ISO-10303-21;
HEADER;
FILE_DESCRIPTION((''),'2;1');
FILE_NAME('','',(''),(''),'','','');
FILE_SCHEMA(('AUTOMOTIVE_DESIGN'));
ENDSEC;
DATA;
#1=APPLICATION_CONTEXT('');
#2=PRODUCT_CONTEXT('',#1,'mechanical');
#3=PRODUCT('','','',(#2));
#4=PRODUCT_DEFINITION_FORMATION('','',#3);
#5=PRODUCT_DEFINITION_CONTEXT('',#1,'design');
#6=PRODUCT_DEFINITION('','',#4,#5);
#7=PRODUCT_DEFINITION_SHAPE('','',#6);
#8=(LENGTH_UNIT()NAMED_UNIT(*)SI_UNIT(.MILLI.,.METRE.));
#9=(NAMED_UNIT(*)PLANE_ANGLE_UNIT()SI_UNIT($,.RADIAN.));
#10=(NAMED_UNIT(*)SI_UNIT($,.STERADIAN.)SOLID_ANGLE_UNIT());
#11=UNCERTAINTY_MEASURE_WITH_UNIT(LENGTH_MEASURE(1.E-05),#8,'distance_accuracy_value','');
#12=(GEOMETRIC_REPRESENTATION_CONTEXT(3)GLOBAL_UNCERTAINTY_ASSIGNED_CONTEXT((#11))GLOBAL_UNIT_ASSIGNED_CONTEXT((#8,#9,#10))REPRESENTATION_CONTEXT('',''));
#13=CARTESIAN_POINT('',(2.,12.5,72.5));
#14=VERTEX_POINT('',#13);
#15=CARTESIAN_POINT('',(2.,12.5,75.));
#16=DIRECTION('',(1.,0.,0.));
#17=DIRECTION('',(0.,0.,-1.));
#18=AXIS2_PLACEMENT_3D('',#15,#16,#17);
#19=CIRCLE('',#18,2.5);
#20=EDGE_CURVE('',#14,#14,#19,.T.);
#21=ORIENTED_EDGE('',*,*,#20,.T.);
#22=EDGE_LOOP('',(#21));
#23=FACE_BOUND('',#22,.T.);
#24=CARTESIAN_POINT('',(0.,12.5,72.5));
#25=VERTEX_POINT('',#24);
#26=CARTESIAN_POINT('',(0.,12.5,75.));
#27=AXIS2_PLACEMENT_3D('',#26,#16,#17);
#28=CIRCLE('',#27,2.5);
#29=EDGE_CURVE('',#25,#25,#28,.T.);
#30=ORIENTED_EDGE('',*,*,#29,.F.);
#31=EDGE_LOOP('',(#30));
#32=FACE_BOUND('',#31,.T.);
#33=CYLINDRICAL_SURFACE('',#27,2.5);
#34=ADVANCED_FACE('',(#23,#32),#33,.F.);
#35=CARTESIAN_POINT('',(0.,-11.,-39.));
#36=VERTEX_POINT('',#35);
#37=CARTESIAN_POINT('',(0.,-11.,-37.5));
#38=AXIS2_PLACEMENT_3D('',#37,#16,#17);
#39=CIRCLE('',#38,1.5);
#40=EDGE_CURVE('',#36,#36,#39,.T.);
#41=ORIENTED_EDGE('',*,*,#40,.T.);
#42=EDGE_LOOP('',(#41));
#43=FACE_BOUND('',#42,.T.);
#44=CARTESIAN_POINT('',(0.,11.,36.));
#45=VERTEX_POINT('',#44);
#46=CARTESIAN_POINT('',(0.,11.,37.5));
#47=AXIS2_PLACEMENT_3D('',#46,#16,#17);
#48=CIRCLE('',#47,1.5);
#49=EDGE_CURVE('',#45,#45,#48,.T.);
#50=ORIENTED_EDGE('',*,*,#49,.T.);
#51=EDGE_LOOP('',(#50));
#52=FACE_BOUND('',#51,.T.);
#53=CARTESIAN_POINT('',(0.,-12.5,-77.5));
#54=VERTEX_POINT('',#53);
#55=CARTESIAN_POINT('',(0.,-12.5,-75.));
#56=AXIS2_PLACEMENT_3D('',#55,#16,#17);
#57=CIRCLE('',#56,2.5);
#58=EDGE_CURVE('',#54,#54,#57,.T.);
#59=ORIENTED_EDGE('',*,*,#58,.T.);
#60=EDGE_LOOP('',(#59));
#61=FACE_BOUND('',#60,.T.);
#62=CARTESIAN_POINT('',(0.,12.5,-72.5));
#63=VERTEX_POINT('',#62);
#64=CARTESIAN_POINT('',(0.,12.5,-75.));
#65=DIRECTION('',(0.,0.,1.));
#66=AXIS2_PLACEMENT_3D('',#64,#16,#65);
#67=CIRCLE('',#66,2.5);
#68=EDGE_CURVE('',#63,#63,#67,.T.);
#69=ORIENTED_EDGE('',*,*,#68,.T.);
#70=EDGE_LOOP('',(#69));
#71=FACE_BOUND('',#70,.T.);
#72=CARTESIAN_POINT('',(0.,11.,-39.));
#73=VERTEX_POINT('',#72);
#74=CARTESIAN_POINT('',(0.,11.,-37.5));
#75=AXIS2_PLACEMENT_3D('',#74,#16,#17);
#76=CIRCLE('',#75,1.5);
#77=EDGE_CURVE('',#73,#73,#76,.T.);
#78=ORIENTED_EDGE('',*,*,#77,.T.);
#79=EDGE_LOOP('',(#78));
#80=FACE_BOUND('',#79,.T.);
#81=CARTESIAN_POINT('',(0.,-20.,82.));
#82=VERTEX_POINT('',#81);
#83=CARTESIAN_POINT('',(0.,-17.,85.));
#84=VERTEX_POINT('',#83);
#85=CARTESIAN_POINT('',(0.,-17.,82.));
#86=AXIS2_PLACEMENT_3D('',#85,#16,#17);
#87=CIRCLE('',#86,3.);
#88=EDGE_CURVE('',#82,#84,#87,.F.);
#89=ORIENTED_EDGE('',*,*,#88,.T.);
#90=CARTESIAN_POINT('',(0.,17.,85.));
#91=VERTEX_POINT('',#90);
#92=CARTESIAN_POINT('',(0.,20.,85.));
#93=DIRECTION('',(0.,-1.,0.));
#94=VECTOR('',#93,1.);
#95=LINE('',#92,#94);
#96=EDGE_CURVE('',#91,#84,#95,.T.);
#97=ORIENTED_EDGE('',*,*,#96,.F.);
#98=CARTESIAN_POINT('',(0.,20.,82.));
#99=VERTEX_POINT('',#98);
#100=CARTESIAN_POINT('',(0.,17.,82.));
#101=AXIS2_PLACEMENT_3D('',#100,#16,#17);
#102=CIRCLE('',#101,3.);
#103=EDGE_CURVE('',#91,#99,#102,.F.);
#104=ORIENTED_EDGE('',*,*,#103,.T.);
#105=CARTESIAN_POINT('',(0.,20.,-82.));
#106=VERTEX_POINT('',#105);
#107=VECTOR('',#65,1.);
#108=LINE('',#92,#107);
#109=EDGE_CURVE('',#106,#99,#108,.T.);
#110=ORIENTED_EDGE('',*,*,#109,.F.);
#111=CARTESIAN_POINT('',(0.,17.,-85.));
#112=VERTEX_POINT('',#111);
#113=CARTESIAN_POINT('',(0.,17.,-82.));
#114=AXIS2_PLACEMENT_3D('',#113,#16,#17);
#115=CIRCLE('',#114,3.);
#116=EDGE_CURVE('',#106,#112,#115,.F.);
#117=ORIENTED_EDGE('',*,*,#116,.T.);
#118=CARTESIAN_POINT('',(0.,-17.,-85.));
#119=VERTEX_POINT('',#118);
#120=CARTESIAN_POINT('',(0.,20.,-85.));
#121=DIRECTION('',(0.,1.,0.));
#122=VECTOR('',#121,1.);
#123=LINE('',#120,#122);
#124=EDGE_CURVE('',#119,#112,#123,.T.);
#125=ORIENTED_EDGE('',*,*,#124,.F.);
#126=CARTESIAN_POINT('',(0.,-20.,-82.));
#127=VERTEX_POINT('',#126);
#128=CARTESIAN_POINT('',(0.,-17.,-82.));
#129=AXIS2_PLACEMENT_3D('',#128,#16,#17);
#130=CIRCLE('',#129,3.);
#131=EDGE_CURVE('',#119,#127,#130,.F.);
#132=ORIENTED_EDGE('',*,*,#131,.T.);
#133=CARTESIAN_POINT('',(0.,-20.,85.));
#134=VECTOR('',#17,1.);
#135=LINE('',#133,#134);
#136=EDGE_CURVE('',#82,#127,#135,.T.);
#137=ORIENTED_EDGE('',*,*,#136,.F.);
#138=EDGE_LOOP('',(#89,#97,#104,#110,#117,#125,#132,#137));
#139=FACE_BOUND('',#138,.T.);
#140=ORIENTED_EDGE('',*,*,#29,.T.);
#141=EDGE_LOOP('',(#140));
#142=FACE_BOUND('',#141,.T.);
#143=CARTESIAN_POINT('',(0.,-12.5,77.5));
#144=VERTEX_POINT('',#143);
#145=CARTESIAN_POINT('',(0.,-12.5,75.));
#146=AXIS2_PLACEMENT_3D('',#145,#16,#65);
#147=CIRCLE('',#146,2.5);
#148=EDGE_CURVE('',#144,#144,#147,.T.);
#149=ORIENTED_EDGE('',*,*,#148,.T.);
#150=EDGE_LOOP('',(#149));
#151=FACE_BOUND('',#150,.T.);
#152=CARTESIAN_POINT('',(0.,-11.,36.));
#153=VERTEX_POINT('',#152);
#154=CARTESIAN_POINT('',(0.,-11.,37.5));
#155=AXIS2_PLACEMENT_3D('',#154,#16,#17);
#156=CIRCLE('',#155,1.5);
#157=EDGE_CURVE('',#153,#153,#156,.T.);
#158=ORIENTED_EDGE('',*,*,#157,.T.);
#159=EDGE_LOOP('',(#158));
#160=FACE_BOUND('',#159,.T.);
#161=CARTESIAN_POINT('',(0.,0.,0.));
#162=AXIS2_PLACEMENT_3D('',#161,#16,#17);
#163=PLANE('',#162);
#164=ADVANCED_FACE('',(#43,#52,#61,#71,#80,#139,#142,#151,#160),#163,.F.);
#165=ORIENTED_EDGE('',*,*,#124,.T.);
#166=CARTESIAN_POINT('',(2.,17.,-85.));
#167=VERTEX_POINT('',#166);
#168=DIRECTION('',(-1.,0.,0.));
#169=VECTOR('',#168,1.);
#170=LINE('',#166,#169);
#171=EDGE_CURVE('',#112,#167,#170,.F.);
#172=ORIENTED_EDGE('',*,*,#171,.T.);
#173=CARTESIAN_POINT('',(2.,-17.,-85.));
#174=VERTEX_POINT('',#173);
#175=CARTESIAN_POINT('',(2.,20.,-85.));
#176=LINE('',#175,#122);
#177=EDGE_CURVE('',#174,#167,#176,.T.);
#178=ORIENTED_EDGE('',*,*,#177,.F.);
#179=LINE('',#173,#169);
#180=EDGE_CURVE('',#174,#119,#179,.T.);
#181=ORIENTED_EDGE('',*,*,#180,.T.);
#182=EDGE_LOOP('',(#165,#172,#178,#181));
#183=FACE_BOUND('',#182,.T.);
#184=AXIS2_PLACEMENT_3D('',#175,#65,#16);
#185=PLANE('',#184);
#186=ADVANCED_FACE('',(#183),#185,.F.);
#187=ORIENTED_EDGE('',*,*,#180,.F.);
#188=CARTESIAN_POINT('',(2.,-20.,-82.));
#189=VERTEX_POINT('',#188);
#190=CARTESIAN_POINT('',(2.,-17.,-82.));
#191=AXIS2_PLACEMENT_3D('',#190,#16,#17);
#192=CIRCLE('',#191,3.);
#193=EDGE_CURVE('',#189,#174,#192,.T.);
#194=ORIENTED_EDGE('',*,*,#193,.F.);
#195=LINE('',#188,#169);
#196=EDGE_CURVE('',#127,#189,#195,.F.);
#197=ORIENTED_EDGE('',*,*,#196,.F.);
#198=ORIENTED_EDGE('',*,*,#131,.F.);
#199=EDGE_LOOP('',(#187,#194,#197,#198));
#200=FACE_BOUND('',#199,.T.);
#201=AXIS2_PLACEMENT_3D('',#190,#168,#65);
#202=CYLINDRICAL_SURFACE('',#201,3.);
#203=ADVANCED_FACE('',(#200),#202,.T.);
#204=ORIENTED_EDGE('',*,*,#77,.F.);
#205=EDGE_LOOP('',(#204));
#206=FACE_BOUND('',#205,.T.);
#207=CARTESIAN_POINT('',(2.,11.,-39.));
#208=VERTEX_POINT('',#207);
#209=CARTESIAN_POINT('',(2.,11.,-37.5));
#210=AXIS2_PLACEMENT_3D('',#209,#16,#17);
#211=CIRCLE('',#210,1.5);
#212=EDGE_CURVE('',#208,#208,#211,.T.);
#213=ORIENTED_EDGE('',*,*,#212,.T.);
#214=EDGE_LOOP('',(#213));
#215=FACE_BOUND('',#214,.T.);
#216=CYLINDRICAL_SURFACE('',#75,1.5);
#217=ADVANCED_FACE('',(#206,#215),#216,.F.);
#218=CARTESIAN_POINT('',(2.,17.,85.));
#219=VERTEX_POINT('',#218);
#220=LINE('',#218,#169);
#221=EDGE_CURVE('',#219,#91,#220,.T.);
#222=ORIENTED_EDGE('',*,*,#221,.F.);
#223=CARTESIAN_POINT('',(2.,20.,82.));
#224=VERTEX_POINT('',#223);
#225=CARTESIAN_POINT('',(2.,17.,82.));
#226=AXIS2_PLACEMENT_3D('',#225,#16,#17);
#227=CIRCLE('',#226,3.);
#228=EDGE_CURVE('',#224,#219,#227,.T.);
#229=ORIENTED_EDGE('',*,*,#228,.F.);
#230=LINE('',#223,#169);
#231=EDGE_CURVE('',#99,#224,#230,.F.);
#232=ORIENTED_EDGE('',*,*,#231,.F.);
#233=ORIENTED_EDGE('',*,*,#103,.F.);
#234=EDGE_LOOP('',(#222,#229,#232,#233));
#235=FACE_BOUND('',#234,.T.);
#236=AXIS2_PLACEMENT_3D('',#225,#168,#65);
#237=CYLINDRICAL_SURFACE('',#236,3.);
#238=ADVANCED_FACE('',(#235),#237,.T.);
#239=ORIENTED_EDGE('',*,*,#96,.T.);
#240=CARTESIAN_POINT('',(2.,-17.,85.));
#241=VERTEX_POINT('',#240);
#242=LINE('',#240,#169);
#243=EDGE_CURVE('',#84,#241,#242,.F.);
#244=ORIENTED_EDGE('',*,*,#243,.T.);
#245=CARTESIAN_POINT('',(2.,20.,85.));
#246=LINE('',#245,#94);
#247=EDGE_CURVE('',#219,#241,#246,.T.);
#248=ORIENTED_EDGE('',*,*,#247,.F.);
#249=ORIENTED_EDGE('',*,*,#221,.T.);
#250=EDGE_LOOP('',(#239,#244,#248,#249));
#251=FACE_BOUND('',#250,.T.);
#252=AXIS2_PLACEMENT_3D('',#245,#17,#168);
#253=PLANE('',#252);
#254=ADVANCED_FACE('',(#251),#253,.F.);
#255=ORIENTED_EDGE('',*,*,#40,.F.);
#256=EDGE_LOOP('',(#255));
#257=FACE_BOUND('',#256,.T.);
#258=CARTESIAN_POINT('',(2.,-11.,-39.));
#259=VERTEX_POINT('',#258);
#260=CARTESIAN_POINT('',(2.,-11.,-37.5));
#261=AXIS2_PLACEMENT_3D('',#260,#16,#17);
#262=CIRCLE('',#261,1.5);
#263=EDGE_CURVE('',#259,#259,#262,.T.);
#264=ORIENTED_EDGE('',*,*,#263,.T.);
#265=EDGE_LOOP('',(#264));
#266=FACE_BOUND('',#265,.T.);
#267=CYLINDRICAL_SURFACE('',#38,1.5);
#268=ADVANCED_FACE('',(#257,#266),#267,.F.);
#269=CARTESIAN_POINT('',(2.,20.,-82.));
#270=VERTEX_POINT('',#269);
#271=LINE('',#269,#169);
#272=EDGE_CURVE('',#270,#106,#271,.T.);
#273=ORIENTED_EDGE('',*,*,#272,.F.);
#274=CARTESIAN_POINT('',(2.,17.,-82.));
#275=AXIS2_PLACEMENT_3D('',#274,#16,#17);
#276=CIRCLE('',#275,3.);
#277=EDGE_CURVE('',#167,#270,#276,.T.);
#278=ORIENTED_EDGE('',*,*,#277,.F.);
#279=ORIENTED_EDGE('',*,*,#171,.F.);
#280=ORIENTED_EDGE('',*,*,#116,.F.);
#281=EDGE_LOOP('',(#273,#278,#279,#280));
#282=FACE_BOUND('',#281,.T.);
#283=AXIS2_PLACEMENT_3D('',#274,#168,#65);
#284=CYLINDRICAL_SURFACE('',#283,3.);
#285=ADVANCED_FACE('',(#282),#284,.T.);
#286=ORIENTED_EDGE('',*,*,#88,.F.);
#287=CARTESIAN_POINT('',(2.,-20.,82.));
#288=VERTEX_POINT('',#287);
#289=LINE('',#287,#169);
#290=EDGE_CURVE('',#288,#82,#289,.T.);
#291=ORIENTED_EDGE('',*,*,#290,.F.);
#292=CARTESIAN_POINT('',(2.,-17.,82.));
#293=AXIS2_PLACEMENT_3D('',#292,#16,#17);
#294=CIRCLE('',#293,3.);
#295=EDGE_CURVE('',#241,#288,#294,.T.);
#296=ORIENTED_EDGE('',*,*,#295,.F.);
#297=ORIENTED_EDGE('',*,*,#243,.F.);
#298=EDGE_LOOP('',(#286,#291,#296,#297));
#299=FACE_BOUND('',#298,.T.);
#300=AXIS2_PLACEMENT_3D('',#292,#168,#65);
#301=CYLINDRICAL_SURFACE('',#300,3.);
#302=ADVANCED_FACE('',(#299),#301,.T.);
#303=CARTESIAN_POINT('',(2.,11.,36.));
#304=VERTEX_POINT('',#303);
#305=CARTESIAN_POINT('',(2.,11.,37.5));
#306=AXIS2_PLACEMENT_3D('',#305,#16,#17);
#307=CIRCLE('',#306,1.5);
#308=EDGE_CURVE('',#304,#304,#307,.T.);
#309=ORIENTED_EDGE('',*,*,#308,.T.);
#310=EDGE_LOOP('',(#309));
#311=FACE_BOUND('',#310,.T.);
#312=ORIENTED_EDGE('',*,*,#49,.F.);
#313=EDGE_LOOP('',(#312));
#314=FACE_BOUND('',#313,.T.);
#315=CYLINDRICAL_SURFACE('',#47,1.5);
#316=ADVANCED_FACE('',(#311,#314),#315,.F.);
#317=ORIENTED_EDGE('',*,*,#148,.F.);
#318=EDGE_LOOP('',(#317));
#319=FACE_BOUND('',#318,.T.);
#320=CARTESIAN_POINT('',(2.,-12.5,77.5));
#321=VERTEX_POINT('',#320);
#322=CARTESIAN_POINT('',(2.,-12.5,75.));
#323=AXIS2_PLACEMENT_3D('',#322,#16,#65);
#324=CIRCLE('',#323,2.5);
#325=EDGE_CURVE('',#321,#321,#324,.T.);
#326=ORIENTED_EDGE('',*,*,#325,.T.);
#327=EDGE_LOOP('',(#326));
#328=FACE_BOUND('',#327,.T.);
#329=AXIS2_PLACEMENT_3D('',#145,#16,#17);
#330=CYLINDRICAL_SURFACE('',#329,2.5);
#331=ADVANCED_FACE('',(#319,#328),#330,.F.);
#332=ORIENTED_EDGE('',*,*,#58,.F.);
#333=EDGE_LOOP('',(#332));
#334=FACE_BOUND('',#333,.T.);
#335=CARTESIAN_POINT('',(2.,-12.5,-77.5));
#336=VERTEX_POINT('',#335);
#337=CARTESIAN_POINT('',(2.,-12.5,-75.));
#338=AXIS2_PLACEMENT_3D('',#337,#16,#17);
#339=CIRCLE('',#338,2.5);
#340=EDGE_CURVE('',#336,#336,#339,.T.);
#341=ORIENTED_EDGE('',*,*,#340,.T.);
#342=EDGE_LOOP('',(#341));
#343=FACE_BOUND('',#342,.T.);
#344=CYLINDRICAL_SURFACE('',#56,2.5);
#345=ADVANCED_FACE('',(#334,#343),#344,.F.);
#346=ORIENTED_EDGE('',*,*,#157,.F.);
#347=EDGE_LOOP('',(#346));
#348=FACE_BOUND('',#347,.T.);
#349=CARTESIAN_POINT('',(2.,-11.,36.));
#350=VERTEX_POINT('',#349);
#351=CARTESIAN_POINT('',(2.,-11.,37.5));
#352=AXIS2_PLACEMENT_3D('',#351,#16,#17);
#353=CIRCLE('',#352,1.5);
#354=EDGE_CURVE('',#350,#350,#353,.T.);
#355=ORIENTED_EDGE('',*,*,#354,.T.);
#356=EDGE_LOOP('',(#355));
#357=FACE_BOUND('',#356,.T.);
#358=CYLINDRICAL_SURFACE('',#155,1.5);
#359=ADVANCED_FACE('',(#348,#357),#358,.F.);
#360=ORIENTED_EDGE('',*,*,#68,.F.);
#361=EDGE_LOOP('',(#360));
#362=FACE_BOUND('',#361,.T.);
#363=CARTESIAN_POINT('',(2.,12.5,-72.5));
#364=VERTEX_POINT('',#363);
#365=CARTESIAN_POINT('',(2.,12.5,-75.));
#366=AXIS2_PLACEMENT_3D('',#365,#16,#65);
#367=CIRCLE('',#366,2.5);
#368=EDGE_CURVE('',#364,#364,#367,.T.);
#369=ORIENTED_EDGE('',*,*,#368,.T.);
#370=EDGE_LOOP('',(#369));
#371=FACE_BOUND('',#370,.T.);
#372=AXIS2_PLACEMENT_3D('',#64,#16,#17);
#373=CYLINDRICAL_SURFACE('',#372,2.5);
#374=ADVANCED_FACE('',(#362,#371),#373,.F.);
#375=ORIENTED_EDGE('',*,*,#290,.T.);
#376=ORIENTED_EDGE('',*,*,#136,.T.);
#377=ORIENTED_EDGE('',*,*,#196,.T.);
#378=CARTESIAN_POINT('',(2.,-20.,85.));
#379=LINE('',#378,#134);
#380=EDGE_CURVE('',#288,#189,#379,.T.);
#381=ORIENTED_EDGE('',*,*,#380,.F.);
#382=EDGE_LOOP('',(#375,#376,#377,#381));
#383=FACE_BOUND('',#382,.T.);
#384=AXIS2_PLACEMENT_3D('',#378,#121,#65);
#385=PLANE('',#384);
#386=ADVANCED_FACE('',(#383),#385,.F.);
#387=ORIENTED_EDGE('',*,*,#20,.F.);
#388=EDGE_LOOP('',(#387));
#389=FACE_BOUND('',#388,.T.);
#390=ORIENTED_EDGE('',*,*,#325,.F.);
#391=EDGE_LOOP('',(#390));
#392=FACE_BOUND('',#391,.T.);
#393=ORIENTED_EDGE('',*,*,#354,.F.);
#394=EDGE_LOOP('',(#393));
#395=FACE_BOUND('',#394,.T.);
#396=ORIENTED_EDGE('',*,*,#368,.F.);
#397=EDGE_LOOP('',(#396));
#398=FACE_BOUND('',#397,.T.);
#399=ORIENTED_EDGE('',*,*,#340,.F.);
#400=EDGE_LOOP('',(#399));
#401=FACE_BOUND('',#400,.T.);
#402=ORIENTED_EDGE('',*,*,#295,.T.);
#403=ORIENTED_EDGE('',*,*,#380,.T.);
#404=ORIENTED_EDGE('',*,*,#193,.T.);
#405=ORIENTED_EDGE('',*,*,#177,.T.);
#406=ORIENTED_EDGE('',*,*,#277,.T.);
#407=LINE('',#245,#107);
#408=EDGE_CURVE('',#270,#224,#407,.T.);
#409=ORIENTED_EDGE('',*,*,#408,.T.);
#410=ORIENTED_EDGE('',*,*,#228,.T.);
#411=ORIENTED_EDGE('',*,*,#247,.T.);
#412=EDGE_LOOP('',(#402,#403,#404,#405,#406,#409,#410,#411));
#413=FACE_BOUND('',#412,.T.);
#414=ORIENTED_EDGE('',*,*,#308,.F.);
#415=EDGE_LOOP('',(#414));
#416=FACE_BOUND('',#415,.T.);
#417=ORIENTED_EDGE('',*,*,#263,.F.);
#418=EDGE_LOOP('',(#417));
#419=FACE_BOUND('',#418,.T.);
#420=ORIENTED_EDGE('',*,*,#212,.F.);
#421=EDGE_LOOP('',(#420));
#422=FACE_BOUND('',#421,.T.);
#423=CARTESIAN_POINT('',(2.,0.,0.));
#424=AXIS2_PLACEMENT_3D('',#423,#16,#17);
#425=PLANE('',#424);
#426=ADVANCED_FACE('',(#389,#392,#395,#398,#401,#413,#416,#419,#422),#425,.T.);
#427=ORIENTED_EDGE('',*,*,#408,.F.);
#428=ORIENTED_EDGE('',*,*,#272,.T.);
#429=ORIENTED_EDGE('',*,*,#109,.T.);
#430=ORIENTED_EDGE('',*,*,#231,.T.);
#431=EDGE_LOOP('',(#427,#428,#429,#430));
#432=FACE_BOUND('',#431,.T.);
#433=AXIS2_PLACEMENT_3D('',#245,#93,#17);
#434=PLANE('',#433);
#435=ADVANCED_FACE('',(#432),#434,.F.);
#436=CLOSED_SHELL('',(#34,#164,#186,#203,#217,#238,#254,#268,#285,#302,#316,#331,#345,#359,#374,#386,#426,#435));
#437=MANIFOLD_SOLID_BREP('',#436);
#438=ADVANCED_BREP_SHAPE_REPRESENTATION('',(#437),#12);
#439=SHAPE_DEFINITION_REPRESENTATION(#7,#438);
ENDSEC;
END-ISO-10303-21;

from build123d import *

# Parameters (mm, degrees)
SKETCH_1_W          = 170
SKETCH_1_H          = 40
EXTRUDE_1_DEPTH     = 2
SKETCH_2_R          = 2.5
CUT_EXTRUDE_1_DEPTH = 88.344146913
SKETCH_3_R          = 1.5
CUT_EXTRUDE_2_DEPTH = 88.344146913
FILLET_1_R          = 3


with BuildPart() as part:
    # 草图1 → 凸台-拉伸1 (new body)
    with BuildSketch(Plane(origin=(0, 0, 0), x_dir=(0, 0, -1), z_dir=(1, 0, 0))):
        Rectangle(SKETCH_1_W, SKETCH_1_H)
    extrude(amount=EXTRUDE_1_DEPTH)

    # 草图2 → 切除-拉伸1 (cut, through all)
    with BuildSketch(Plane(origin=(2, 0, 0), x_dir=(0, 0, -1), z_dir=(1, 0, 0))):
        with Locations((-75, 12.5)):
            Circle(SKETCH_2_R)
        with Locations(Location((-75, -12.5, 0), (0, 0, 180))):
            Circle(SKETCH_2_R)
        with Locations((75, -12.5)):
            Circle(SKETCH_2_R)
        with Locations(Location((75, 12.5, 0), (0, 0, 180))):
            Circle(SKETCH_2_R)
    extrude(amount=-CUT_EXTRUDE_1_DEPTH, mode=Mode.SUBTRACT)

    # 草图3 → 切除-拉伸2 (cut, through all)
    with BuildSketch(Plane(origin=(2, 0, 0), x_dir=(0, 0, -1), z_dir=(1, 0, 0))):
        with Locations((-37.5, 11)):
            Circle(SKETCH_3_R)
        with Locations((-37.5, -11)):
            Circle(SKETCH_3_R)
        with Locations((37.5, 11)):
            Circle(SKETCH_3_R)
        with Locations((37.5, -11)):
            Circle(SKETCH_3_R)
    extrude(amount=-CUT_EXTRUDE_2_DEPTH, mode=Mode.SUBTRACT)

    # 圆角1
    fillet_1_edges = [part.edges().sort_by_distance(p)[0] for p in [
        (1, -20, -85),
        (1, -20, 85),
        (1, 20, 85),
        (1, 20, -85),
    ]]
    fillet(fillet_1_edges, radius=FILLET_1_R)


solid = part.part
